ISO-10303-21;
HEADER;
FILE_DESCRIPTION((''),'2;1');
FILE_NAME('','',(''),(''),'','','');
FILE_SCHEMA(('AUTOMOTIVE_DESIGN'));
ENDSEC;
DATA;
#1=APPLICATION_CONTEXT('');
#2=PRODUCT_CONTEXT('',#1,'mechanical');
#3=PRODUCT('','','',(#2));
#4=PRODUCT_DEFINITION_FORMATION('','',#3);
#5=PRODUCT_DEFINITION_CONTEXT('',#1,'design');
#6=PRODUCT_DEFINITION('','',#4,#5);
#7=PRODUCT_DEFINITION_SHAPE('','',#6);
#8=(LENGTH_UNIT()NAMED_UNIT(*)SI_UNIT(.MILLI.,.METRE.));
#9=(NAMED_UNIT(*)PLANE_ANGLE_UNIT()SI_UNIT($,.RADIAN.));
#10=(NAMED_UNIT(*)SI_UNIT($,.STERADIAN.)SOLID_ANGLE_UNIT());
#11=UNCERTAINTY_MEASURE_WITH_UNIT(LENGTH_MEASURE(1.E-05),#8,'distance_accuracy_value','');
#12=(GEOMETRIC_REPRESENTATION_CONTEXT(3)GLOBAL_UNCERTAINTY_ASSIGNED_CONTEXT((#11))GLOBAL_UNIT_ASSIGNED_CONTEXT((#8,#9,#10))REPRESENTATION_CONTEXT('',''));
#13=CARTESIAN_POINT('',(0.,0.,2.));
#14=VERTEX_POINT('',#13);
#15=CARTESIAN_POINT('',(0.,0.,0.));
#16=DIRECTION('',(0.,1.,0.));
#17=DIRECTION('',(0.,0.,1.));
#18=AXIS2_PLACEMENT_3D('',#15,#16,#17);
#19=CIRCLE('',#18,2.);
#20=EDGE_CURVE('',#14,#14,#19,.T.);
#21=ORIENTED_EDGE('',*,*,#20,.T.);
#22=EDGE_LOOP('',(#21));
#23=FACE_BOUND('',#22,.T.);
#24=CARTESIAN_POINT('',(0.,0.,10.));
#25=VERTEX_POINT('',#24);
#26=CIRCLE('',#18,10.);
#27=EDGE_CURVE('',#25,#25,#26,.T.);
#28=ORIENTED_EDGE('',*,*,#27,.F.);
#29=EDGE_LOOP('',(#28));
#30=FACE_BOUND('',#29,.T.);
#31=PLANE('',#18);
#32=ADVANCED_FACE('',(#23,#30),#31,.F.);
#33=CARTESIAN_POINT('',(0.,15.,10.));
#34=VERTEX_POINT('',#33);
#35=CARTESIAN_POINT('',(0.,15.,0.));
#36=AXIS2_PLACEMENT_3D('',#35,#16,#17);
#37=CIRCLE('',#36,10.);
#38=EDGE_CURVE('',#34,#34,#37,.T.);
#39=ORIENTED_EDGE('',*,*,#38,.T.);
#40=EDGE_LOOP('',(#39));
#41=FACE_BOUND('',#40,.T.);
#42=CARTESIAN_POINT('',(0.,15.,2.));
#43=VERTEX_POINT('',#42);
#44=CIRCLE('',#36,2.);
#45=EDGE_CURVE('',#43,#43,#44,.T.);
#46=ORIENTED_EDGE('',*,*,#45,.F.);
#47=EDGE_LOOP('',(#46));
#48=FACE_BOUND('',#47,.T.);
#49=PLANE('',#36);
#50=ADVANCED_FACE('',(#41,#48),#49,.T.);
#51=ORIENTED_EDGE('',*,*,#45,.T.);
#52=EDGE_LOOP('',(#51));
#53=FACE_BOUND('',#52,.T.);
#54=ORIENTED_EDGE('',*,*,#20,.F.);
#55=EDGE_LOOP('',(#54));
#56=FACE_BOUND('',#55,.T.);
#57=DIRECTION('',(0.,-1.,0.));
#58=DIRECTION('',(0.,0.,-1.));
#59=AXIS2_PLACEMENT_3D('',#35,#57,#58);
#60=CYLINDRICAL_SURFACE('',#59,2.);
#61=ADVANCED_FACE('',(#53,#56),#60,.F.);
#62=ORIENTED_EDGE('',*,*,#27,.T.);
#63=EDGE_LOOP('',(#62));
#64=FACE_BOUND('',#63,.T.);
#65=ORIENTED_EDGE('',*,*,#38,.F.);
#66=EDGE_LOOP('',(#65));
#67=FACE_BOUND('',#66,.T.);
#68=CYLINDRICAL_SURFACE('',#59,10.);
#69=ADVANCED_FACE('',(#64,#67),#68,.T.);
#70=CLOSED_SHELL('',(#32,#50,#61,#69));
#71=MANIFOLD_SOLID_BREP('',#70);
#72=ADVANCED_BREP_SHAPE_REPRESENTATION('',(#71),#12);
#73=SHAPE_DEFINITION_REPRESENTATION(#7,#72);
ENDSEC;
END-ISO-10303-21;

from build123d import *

# Parameters (mm, degrees)
SKETCH2_R           = 10
SKETCH2_R_2         = 2
BOSS_EXTRUDE1_DEPTH = 15


with BuildPart() as part:
    # Sketch2 → Boss-Extrude1 (new body)
    with BuildSketch(Plane(origin=(0, 0, 0), x_dir=(1, 0, 0), z_dir=(0, 1, 0))):
        Circle(SKETCH2_R)
        Circle(SKETCH2_R_2, mode=Mode.SUBTRACT)
    extrude(amount=BOSS_EXTRUDE1_DEPTH)


solid = part.part
